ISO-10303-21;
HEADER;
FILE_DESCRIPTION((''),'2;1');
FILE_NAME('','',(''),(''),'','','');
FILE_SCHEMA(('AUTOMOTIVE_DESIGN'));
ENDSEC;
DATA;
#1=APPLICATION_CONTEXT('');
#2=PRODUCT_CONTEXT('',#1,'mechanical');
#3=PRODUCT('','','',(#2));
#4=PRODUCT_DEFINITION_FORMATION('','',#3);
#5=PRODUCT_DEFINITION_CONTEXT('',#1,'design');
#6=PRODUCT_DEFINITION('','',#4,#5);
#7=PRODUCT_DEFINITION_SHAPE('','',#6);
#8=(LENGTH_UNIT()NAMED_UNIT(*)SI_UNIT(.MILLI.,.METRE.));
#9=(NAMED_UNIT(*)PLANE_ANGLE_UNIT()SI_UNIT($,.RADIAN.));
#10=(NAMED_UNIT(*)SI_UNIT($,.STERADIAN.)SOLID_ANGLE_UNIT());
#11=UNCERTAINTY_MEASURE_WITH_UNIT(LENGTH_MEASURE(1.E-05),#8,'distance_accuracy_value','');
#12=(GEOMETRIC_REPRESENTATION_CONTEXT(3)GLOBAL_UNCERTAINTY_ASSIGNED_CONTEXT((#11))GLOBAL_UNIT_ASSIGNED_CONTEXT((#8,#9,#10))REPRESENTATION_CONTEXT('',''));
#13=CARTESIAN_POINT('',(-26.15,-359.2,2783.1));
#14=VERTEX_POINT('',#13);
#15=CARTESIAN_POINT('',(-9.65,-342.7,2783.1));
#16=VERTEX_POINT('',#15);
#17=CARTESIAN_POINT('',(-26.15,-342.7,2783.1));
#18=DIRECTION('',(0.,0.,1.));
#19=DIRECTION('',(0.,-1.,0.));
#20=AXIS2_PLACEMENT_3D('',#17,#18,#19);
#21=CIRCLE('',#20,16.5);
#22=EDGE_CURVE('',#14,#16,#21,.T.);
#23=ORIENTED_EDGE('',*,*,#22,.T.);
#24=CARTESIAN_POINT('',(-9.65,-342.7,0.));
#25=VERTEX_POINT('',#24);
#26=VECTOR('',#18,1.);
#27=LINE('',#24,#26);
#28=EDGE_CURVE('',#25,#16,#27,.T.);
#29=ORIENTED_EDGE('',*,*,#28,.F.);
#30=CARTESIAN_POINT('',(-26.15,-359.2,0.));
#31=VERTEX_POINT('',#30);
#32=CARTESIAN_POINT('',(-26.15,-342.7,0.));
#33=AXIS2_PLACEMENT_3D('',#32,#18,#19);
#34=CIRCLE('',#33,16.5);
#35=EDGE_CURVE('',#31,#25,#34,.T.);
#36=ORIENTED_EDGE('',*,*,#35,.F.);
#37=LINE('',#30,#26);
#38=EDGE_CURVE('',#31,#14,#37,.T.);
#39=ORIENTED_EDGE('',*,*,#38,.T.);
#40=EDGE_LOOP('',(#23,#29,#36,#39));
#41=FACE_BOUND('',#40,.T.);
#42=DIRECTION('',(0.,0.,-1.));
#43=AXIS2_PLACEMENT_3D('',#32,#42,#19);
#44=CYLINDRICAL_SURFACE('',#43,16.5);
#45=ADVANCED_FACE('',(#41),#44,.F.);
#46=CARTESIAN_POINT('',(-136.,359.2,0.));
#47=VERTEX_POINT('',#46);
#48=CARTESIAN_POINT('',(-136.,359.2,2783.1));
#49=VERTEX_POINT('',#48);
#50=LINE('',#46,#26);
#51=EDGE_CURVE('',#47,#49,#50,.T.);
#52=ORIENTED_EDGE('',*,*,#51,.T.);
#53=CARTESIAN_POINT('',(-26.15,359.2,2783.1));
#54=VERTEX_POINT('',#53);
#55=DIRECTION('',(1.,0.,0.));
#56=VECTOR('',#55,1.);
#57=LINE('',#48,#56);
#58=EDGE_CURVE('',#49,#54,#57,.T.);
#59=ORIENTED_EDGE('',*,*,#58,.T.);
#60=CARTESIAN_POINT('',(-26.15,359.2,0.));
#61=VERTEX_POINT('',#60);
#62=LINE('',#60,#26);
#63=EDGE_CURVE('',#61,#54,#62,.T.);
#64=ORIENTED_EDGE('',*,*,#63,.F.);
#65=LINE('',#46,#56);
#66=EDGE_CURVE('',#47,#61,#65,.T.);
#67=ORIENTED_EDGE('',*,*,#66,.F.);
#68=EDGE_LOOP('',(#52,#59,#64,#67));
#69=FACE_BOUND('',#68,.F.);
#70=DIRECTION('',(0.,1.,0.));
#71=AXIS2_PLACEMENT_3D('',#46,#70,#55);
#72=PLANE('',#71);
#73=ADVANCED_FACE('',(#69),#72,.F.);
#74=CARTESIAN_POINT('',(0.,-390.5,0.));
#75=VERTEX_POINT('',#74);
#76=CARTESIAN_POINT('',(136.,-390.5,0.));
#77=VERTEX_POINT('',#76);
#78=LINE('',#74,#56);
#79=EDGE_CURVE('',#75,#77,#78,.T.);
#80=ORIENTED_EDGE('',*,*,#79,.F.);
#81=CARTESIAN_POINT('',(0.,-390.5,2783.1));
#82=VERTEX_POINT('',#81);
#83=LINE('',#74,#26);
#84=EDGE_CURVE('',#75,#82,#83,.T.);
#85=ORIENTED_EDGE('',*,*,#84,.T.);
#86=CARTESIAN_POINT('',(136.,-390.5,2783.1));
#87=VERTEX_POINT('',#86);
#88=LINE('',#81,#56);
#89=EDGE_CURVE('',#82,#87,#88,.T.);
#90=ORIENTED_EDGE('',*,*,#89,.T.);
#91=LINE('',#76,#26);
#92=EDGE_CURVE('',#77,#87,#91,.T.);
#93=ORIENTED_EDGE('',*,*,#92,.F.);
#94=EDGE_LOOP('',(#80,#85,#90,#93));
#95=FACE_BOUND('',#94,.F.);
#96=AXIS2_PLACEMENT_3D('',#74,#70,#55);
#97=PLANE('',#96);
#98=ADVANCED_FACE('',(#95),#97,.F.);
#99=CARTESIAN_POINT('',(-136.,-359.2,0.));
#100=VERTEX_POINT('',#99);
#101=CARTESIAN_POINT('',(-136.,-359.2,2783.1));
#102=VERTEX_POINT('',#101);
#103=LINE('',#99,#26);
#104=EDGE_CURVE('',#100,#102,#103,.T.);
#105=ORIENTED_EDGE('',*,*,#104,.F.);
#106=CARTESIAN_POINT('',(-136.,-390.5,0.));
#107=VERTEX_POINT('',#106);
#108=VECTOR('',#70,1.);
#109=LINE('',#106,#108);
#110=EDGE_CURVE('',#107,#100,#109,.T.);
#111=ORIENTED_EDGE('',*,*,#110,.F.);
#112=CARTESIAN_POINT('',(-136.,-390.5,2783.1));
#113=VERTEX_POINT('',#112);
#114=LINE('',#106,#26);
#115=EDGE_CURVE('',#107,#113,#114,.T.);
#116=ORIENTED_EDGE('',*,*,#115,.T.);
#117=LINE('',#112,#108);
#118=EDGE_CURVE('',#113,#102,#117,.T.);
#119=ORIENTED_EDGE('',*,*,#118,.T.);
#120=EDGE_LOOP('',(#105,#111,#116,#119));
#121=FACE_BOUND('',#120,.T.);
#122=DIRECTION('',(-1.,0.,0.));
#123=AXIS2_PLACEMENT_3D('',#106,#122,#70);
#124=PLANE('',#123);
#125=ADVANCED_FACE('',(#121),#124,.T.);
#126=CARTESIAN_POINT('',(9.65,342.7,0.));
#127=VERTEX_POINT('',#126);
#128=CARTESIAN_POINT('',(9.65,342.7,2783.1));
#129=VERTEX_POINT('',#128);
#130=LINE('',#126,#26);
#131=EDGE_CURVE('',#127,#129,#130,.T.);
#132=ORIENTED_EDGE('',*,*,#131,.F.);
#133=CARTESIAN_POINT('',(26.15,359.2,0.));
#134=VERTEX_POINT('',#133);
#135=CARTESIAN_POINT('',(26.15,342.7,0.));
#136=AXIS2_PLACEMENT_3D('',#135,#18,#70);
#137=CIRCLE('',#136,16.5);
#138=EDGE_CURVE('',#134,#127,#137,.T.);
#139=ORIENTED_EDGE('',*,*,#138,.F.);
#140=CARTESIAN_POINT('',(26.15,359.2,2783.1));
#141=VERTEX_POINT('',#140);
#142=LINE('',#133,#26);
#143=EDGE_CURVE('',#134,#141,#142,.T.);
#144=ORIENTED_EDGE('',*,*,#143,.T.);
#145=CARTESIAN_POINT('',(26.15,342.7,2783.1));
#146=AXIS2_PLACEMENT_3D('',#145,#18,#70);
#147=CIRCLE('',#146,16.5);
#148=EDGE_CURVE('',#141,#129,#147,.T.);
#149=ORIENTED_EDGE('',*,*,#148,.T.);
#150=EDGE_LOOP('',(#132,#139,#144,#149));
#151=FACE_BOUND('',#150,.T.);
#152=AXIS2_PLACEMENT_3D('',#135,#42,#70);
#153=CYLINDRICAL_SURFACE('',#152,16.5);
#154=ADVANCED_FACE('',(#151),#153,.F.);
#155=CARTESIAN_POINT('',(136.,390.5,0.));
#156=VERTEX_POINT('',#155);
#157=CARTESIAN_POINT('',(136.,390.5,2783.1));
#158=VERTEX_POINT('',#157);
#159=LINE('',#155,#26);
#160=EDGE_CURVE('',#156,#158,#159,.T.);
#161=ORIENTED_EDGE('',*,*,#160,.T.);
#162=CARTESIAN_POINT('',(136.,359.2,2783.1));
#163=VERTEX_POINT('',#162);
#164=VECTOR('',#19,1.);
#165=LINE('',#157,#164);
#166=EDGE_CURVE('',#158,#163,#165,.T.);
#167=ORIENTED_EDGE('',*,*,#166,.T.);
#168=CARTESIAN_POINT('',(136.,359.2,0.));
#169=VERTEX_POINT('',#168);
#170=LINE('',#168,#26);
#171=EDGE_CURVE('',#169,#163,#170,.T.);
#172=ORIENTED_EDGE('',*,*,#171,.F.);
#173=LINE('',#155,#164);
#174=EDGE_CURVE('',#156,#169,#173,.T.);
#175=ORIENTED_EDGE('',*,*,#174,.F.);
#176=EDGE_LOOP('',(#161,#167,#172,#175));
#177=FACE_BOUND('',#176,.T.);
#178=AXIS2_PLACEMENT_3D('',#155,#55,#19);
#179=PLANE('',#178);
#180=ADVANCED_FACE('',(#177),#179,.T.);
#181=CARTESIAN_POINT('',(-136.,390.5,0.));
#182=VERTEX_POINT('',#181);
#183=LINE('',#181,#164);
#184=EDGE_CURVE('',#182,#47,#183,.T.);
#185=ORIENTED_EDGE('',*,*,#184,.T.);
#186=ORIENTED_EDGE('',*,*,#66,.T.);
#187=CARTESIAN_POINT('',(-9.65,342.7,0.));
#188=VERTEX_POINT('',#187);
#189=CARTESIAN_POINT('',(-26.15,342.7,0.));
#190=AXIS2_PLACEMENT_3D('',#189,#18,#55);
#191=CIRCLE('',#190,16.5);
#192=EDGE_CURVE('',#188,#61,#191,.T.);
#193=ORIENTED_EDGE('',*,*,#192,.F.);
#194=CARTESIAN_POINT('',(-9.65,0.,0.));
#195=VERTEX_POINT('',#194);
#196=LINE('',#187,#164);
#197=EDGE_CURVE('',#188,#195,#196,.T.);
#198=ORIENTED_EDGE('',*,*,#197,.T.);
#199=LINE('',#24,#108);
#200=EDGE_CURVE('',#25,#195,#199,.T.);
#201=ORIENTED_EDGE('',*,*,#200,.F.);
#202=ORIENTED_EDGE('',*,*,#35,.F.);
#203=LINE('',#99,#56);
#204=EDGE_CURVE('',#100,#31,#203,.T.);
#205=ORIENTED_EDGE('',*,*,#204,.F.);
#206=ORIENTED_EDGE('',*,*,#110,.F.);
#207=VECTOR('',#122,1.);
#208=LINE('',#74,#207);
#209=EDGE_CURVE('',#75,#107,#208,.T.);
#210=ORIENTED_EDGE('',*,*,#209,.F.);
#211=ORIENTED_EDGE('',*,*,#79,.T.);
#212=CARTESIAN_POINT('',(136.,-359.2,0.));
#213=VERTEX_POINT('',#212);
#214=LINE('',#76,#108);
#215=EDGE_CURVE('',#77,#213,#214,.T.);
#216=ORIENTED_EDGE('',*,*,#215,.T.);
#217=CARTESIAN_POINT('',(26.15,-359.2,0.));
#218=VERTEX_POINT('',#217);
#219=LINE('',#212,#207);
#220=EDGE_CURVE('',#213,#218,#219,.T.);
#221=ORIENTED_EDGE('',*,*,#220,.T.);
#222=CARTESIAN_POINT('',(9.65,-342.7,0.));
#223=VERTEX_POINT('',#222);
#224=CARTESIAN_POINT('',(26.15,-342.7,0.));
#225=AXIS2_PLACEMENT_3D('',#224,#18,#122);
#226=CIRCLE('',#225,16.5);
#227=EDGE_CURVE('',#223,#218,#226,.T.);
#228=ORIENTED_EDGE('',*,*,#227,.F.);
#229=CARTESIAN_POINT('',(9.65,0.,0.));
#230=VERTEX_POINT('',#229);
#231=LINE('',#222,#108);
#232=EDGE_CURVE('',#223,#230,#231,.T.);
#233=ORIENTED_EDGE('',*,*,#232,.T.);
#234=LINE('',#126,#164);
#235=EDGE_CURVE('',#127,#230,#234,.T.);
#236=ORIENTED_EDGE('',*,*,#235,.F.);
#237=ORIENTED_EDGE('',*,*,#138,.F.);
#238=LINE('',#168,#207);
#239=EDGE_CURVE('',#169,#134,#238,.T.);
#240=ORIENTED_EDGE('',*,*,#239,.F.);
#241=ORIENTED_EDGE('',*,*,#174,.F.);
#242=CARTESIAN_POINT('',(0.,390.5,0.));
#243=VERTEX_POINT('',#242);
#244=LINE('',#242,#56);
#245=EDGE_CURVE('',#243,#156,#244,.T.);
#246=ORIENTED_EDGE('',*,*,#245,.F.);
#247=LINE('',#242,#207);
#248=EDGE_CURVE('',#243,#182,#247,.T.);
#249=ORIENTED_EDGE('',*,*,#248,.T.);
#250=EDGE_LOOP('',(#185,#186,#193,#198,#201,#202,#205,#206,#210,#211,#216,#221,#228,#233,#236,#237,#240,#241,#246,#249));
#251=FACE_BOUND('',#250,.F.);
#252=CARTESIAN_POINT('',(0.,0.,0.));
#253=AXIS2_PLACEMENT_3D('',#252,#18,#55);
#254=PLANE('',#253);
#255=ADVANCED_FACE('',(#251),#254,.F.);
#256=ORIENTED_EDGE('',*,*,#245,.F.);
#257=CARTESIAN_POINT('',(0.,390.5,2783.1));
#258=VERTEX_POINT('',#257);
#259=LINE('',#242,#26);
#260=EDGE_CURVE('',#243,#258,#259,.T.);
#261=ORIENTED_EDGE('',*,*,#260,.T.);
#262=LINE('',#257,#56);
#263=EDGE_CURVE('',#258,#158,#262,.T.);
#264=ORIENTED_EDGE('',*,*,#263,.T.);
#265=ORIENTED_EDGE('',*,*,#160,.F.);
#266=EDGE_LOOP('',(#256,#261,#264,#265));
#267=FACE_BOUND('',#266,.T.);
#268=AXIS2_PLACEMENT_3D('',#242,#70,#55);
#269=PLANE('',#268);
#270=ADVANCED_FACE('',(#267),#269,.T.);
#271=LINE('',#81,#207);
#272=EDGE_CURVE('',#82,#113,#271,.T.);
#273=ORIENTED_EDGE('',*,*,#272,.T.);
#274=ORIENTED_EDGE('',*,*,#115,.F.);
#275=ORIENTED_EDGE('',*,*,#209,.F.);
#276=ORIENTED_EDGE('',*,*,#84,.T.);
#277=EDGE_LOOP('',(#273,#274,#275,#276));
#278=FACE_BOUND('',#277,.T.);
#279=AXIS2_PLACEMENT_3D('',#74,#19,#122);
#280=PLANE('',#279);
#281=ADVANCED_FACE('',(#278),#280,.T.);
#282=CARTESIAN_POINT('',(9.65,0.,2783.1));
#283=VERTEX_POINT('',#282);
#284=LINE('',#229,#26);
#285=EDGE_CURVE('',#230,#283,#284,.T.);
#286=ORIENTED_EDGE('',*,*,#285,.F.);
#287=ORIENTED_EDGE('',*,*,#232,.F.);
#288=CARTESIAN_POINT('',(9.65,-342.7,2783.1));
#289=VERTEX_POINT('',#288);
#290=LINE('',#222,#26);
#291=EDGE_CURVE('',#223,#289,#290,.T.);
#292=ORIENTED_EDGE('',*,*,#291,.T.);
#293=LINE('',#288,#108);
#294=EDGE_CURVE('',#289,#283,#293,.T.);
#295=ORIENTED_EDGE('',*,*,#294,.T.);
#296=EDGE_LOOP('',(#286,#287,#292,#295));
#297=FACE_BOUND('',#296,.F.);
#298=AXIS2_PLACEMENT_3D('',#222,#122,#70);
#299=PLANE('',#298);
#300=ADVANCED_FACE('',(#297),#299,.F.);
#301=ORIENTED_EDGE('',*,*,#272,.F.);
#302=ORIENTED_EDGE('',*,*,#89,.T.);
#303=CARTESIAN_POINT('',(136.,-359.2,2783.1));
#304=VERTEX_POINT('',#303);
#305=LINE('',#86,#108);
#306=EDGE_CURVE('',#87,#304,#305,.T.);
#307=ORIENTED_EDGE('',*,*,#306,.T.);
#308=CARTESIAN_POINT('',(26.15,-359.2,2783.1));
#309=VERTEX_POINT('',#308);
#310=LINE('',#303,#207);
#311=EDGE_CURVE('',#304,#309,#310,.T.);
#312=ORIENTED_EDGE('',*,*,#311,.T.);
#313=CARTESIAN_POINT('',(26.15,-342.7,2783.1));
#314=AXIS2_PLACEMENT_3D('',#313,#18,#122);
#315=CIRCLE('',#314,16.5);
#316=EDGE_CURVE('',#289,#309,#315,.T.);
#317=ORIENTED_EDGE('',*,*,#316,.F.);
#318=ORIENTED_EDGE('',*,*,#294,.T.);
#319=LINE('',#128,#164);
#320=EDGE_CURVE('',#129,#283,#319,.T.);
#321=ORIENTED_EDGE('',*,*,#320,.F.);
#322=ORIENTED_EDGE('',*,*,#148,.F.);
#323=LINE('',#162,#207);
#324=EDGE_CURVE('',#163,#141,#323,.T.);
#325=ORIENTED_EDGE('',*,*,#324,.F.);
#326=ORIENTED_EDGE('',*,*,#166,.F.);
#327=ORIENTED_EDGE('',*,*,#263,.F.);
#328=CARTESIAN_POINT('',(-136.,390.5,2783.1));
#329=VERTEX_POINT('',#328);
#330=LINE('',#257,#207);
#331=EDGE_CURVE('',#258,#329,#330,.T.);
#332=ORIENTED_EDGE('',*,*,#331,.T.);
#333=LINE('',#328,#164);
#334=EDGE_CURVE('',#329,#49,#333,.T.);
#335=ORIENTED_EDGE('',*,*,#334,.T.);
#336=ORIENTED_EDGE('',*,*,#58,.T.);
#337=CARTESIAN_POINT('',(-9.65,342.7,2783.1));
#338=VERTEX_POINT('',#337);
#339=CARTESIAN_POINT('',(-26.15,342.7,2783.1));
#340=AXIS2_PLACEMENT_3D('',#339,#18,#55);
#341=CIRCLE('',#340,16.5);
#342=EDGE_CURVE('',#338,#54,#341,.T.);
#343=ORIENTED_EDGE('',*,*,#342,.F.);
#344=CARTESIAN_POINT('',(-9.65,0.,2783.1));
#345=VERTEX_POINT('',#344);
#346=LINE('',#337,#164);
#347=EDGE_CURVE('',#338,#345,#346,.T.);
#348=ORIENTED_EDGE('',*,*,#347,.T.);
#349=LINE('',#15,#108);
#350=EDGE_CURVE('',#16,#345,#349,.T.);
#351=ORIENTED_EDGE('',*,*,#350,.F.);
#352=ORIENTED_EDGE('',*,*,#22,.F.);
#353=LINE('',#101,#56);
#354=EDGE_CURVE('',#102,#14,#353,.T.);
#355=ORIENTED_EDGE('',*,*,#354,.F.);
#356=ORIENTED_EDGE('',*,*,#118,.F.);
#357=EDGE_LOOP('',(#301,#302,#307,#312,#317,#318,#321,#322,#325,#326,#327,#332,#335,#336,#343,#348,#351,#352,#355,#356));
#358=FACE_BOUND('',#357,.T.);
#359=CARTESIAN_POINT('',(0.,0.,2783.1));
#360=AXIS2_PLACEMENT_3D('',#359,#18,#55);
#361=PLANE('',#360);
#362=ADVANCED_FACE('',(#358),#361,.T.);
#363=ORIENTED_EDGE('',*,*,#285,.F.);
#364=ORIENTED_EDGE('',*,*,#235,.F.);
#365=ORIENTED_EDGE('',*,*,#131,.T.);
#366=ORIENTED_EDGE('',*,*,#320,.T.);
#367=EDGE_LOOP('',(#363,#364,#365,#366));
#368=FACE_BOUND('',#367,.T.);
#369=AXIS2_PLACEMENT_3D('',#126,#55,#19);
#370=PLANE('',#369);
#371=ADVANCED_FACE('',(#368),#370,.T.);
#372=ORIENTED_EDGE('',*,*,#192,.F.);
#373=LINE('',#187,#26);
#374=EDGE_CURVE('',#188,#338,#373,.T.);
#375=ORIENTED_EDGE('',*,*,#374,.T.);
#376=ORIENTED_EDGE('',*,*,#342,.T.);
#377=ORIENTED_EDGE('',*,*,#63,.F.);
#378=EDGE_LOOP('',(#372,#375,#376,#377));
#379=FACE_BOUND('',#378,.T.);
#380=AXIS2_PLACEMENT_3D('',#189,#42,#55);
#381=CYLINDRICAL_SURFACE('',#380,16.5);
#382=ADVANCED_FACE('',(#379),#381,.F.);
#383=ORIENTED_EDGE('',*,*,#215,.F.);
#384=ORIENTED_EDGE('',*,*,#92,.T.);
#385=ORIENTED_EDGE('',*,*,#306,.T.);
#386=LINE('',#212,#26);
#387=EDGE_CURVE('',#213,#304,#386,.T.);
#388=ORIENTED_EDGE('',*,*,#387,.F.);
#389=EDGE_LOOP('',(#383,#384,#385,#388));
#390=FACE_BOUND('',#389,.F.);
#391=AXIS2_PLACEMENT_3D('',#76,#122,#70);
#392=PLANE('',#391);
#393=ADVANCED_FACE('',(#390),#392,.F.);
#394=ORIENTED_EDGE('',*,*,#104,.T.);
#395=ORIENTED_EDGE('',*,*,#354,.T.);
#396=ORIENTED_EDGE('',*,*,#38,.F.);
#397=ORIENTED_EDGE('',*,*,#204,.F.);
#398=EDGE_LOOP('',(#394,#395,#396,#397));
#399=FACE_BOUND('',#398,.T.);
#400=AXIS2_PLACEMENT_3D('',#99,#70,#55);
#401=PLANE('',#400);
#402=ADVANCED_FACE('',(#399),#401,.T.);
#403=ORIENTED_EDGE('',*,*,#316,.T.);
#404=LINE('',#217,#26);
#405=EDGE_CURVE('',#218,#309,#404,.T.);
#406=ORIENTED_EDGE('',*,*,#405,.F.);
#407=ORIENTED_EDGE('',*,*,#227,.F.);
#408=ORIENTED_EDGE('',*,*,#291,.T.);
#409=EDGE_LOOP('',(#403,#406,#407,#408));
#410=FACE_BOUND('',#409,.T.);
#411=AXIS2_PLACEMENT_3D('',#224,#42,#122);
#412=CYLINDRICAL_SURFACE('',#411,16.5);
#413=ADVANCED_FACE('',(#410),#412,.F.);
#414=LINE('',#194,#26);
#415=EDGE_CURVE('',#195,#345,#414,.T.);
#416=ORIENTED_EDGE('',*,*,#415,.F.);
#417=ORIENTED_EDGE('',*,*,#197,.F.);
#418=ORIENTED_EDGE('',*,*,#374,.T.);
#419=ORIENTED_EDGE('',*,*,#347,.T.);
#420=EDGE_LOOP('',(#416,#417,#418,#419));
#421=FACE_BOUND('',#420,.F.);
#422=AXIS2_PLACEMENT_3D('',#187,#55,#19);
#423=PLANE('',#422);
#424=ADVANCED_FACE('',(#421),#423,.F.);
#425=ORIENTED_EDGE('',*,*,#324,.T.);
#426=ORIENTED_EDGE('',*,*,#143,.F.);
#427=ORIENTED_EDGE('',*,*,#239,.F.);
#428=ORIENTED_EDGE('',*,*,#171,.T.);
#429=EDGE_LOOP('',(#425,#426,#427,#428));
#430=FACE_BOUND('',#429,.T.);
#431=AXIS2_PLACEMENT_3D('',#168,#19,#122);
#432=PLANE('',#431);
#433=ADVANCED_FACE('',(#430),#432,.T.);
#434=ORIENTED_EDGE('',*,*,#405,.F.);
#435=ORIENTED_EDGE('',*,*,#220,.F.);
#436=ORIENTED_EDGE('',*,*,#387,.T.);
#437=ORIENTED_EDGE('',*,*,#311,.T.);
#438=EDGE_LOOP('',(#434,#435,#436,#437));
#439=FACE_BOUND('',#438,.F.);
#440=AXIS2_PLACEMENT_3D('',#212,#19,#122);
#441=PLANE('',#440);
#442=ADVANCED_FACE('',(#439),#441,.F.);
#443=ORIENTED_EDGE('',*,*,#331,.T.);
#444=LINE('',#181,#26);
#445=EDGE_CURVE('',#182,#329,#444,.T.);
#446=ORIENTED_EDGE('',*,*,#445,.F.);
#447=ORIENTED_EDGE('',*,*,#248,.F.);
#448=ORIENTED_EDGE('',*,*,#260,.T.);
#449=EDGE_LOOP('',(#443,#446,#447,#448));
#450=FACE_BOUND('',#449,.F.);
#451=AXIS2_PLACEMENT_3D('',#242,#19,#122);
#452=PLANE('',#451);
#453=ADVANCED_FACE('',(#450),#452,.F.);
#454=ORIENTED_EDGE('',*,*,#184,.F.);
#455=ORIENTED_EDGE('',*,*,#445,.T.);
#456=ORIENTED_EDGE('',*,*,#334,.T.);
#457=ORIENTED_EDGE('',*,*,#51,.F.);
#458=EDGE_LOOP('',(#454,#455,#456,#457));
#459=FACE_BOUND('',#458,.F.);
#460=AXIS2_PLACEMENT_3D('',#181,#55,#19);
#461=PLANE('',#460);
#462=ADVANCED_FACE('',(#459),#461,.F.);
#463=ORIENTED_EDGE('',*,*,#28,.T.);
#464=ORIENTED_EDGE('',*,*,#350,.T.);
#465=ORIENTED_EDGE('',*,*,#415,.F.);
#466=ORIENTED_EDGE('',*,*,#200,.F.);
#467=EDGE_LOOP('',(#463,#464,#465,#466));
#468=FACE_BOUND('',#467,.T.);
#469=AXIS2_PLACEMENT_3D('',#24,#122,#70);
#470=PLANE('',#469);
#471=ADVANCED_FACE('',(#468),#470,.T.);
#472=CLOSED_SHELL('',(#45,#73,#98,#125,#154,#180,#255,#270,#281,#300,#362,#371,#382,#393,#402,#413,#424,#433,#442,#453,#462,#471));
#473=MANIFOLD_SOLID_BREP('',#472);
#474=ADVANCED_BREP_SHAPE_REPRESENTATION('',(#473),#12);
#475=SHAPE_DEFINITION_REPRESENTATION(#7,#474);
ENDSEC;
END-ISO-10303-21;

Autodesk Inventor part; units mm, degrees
ref_plane "YZ Plane" through (0, 0, 0) normal (1, 0, 0) x (0, 1, 0)
ref_plane "Start plane" through (0, 0, 0) normal (0, 0, 1) x (1, 0, 0)
ref_plane "End plane" through (0, 0, 2783.1) normal (0, 0, 1) x (1, 0, 0)
sketch "Sketch" plane through (0, 0, 0) normal (0, 0, 1) x (1, 0, 0)
  line L0 (-136, -390.5) -> (-136, -359.2)
  line L1 (-136, -359.2) -> (-26.15, -359.2)
  line L2 (-9.65, -342.7) -> (-9.65, 0)
  line L3 (-9.65, 0) -> (0, 0) construction
  line L4 (0, 0) -> (0, -390.5) construction
  line L5 (0, -390.5) -> (-136, -390.5)
  line L6 (-60, 0) -> (80, 0) construction
  line L7 (0, -60) -> (0, 80) construction
  line L8 (136, -390.5) -> (136, -359.2)
  line L9 (136, -359.2) -> (26.15, -359.2)
  line L10 (9.65, -342.7) -> (9.65, 0)
  line L11 (9.65, 0) -> (0, 0) construction
  line L12 (0, -390.5) -> (136, -390.5)
  line L13 (-136, 390.5) -> (-136, 359.2)
  line L14 (-136, 359.2) -> (-26.15, 359.2)
  line L15 (-9.65, 342.7) -> (-9.65, 0)
  line L16 (0, 390.5) -> (-136, 390.5)
  line L17 (136, 390.5) -> (136, 359.2)
  line L18 (136, 359.2) -> (26.15, 359.2)
  line L19 (0, 390.5) -> (136, 390.5)
  line L20 (9.65, 342.7) -> (9.65, 0)
  arc A0 (-9.65, 342.7) -> (-26.15, 359.2) centre (-26.15, 342.7) ccw
  arc A1 (26.15, 359.2) -> (9.65, 342.7) centre (26.15, 342.7) ccw
  arc A2 (9.65, -342.7) -> (26.15, -359.2) centre (26.15, -342.7) ccw
  arc A3 (-26.15, -359.2) -> (-9.65, -342.7) centre (-26.15, -342.7) ccw
  line L21 (0, 108) -> (0, -88) construction
  line L22 (-88, 0) -> (108, 0) construction
  point P0 (-9.65, -359.2)
  point P1 (9.65, -359.2)
  point P2 (-9.65, 359.2)
  point P3 (9.65, 359.2)
  dimension "d1" = 390.5
  dimension "d2" = 31.3
  dimension "d3" = 136
  dimension "d4" = 9.65
  dimension "d10" = 16.5
extrude "Body" add sketch "Sketch" along normal up to surface (2783.1 mm away) from surface at 0
sketch "Sketch4" plane through (0, 0, 0) normal (0, 0, 1) x (1, 0, 0)
  line L0 (0, 0) -> (10, 0)
ref_plane "Work Plane3" through (0, 0, 0) normal (0, -1, 0) x (1, 0, 0)
sketch "Sketch5" plane through (0, 0, 0) normal (0, -1, 0) x (1, 0, 0)
  line L0 (-2, 0) -> (12, 0) projected
  line L1 (-2, 2783.1) -> (12, 2783.1) projected
  dimension "d14" = 2783.1
equation "\"d1\" = 0.5 * G_H"
equation "\"d2\" = G_T1"
equation "\"d3\" = 0.5 * G_W"
equation "\"d4\" = 0.5 * G_T"
equation "\"d10\" = G_IR"
equation "\"d5\" = G_L"
equation "\"G_W\" = 272"
equation "\"G_H\" = 781"
equation "\"G_T\" = 19.3"
equation "\"G_T1\" = 31.3"
equation "\"G_IR\" = 16.5"
equation "\"G_L\" = d14"
equation "\"G_OFFSET_START\" = 0"
equation "\"G_OFFSET_END\" = 0"
equation "\"d12\" = G_OFFSET_END + B_L"
equation "\"B_L\" = 2783.1"
properties part number "AS 3679-1990 - 760 UB - 244 - 2783.1" material "Steel, Mild"
